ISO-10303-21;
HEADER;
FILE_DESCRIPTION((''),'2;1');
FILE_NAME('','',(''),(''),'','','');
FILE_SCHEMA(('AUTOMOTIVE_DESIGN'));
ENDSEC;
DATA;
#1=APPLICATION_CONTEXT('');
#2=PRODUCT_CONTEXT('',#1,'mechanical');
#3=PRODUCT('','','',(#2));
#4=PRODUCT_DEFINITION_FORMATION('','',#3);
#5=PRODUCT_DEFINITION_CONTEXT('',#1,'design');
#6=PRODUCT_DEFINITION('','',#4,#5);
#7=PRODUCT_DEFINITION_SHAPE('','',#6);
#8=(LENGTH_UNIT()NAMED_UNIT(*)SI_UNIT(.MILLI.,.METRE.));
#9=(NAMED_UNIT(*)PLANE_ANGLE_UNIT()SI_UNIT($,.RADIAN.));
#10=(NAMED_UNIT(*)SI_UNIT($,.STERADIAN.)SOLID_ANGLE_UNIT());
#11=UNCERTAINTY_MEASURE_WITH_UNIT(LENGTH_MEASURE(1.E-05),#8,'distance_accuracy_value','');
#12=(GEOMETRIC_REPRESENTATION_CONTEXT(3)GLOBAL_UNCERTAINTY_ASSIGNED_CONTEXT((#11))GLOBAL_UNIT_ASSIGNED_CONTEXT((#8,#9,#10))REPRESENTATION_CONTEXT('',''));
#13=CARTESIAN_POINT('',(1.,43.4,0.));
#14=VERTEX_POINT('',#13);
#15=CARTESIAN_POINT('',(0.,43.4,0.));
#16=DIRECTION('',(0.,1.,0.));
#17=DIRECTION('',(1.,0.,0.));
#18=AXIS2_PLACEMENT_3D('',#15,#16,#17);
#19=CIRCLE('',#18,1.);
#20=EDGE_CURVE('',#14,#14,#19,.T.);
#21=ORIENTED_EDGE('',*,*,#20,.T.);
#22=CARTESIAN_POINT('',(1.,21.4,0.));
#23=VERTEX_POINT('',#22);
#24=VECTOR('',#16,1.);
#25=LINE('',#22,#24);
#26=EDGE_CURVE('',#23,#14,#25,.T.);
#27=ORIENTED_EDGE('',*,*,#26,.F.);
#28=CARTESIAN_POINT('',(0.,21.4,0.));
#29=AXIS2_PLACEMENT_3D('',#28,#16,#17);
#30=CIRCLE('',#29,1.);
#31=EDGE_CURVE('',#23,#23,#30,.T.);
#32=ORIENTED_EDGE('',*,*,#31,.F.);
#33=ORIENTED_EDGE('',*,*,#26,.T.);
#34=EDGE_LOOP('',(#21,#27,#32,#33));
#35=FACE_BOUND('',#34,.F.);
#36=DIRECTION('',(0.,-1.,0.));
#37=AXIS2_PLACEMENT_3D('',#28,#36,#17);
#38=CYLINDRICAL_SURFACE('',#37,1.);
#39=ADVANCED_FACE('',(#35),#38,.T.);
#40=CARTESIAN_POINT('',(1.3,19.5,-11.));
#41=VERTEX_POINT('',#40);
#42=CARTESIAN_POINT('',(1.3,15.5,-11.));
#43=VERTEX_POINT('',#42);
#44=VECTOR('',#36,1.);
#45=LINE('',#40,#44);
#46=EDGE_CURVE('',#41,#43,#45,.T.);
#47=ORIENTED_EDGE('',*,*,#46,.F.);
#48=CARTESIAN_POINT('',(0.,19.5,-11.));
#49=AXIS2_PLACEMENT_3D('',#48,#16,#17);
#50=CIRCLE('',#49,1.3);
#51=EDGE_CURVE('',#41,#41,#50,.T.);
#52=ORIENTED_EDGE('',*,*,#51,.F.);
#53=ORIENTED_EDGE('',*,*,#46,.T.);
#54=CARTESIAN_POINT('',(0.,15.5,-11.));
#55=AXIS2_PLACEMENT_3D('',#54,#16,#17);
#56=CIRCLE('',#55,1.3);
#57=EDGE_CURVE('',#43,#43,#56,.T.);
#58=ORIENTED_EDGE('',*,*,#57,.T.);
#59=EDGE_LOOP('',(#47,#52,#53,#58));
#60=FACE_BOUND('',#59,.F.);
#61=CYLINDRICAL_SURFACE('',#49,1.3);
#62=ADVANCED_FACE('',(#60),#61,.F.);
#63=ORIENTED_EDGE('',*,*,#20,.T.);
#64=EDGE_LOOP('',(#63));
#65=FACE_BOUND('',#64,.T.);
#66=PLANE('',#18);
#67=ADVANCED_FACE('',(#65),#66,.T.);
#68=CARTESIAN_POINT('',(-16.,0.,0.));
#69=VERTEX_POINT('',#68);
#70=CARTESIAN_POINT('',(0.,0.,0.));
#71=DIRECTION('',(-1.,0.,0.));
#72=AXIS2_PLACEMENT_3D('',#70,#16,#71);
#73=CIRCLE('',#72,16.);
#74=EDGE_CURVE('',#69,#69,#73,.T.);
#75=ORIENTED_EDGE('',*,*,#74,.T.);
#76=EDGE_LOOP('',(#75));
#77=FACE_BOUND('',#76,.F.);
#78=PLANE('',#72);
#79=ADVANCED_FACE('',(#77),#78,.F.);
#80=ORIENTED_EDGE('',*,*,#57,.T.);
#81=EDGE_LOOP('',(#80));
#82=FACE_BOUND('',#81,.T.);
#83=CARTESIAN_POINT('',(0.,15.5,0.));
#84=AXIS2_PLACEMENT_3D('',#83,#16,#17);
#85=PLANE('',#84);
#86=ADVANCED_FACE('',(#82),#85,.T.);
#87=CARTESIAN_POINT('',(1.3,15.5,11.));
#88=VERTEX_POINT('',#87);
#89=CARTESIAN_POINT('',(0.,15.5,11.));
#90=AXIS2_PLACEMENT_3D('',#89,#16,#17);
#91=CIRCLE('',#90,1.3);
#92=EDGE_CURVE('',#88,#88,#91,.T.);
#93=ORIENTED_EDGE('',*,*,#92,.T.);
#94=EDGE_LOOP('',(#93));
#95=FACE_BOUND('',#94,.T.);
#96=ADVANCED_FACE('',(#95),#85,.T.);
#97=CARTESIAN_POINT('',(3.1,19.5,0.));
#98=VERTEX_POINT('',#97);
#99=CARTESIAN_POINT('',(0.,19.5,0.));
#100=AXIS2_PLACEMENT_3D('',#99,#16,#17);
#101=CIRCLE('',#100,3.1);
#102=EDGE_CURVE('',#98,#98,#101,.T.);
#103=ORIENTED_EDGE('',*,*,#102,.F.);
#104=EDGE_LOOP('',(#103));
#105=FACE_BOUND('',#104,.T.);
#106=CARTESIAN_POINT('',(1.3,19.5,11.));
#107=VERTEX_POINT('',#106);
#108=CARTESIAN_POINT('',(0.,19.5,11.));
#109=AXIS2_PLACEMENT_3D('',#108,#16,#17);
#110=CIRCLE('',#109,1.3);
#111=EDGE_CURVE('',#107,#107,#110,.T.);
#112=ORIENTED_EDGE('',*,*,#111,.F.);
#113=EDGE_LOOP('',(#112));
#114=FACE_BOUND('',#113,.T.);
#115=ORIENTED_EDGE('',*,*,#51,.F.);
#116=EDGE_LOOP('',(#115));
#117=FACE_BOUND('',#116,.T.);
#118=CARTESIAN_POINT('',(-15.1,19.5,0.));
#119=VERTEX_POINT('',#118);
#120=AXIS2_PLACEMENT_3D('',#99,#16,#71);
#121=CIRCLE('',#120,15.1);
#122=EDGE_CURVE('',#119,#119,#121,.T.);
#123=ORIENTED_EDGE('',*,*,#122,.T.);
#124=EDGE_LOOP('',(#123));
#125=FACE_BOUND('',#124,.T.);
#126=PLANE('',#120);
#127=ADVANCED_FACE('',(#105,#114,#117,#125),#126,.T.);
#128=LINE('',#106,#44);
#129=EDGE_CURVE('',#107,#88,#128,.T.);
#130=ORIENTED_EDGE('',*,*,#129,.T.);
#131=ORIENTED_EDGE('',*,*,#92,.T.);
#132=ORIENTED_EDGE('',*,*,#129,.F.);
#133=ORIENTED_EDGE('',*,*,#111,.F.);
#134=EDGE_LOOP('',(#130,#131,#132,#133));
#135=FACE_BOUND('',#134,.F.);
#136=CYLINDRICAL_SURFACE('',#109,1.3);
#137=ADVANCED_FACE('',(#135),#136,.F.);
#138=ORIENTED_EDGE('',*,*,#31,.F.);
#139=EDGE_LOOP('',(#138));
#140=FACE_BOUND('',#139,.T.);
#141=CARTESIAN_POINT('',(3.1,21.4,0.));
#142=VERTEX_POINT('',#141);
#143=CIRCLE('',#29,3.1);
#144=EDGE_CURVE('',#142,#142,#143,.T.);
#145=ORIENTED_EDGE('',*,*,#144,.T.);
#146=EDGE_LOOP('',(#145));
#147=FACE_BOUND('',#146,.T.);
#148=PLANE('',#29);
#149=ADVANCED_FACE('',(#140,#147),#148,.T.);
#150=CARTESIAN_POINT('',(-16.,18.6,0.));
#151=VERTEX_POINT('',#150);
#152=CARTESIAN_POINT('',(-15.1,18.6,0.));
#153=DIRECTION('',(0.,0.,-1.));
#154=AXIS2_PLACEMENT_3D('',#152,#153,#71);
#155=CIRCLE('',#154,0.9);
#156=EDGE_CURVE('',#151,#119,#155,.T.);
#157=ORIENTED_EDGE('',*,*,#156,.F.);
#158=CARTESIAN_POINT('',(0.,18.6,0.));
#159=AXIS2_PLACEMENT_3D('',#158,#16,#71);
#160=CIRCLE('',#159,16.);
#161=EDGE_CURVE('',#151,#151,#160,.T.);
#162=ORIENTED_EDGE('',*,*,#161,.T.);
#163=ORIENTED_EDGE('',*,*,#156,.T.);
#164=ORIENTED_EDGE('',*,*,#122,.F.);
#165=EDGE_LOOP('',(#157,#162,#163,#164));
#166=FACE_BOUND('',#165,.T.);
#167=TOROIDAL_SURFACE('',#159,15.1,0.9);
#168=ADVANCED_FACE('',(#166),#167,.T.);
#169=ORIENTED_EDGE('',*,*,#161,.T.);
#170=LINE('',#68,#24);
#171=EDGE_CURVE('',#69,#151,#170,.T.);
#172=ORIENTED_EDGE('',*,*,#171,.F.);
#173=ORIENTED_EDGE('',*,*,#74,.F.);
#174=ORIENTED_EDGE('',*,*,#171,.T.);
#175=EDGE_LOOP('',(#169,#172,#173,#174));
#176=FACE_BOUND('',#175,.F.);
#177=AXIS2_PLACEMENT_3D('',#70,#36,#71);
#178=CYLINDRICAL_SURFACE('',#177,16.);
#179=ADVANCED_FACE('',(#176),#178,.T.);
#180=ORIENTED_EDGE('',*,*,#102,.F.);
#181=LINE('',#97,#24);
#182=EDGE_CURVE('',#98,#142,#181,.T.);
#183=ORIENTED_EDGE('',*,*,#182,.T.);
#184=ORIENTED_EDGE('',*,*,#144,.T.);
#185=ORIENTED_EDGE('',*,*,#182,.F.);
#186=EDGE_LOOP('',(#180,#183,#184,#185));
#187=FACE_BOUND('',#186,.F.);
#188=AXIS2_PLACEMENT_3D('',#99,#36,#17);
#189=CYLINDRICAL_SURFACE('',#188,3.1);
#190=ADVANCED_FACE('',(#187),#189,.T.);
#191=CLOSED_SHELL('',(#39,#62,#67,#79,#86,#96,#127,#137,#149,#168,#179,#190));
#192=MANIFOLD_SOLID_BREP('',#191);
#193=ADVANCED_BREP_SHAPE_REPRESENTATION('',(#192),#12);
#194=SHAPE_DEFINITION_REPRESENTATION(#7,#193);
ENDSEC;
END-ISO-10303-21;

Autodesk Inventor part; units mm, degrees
ref_plane "YZ Plane" through (0, 0, 0) normal (1, 0, 0) x (0, 1, 0)
ref_plane "XZ Plane" through (0, 0, 0) normal (0, 1, 0) x (-1, 0, 0)
ref_plane "XY Plane" through (0, 0, 0) normal (0, 0, 1) x (1, 0, 0)
sketch "Sketch1" plane through (0, 0, 0) normal (0, 1, 0) x (-1, 0, 0)
  circle A0 centre (0, 0) radius 16
  dimension "d0" = 32
extrude "Extrusion1" add sketch "Sketch1" along normal blind 19.5
sketch "Sketch2" plane through (0, 19.5, 0) normal (0, 1, 0) x (1, 0, 0)
  circle A0 centre (0, 0) radius 16 projected
  circle A1 centre (0, 0) radius 3.1
  dimension "d3" = 6.2
extrude "Extrusion2" add sketch "Sketch2" along normal blind 1.9 contours A1
sketch "Sketch3" plane through (0, 21.4, 0) normal (0, 1, 0) x (1, 0, 0)
  circle A0 centre (0, 0) radius 3.1 projected
  circle A1 centre (0, 0) radius 1
  dimension "d6" = 2
extrude "Extrusion3" add sketch "Sketch3" along normal blind 22 contours A1
sketch "Sketch4" plane through (0, 19.5, 0) normal (0, 1, 0) x (1, 0, 0)
  circle A0 centre (0, 0) radius 3.1 projected
  circle A1 centre (0, 0) radius 16 projected
  circle A2 centre (0, -11) radius 1.3
  circle A3 centre (0, 11) radius 1.3
  line L0 (-16, 0) -> (16, 0)
  dimension "d9" = 2.6
  dimension "d10" = 22
extrude "Extrusion4" cut sketch "Sketch4" against normal blind 4 contours A2 | A3
fillet "Fillet1" radius 0.9 1 edges at (16, 19.5, 0)
properties part number "rf500tb"
